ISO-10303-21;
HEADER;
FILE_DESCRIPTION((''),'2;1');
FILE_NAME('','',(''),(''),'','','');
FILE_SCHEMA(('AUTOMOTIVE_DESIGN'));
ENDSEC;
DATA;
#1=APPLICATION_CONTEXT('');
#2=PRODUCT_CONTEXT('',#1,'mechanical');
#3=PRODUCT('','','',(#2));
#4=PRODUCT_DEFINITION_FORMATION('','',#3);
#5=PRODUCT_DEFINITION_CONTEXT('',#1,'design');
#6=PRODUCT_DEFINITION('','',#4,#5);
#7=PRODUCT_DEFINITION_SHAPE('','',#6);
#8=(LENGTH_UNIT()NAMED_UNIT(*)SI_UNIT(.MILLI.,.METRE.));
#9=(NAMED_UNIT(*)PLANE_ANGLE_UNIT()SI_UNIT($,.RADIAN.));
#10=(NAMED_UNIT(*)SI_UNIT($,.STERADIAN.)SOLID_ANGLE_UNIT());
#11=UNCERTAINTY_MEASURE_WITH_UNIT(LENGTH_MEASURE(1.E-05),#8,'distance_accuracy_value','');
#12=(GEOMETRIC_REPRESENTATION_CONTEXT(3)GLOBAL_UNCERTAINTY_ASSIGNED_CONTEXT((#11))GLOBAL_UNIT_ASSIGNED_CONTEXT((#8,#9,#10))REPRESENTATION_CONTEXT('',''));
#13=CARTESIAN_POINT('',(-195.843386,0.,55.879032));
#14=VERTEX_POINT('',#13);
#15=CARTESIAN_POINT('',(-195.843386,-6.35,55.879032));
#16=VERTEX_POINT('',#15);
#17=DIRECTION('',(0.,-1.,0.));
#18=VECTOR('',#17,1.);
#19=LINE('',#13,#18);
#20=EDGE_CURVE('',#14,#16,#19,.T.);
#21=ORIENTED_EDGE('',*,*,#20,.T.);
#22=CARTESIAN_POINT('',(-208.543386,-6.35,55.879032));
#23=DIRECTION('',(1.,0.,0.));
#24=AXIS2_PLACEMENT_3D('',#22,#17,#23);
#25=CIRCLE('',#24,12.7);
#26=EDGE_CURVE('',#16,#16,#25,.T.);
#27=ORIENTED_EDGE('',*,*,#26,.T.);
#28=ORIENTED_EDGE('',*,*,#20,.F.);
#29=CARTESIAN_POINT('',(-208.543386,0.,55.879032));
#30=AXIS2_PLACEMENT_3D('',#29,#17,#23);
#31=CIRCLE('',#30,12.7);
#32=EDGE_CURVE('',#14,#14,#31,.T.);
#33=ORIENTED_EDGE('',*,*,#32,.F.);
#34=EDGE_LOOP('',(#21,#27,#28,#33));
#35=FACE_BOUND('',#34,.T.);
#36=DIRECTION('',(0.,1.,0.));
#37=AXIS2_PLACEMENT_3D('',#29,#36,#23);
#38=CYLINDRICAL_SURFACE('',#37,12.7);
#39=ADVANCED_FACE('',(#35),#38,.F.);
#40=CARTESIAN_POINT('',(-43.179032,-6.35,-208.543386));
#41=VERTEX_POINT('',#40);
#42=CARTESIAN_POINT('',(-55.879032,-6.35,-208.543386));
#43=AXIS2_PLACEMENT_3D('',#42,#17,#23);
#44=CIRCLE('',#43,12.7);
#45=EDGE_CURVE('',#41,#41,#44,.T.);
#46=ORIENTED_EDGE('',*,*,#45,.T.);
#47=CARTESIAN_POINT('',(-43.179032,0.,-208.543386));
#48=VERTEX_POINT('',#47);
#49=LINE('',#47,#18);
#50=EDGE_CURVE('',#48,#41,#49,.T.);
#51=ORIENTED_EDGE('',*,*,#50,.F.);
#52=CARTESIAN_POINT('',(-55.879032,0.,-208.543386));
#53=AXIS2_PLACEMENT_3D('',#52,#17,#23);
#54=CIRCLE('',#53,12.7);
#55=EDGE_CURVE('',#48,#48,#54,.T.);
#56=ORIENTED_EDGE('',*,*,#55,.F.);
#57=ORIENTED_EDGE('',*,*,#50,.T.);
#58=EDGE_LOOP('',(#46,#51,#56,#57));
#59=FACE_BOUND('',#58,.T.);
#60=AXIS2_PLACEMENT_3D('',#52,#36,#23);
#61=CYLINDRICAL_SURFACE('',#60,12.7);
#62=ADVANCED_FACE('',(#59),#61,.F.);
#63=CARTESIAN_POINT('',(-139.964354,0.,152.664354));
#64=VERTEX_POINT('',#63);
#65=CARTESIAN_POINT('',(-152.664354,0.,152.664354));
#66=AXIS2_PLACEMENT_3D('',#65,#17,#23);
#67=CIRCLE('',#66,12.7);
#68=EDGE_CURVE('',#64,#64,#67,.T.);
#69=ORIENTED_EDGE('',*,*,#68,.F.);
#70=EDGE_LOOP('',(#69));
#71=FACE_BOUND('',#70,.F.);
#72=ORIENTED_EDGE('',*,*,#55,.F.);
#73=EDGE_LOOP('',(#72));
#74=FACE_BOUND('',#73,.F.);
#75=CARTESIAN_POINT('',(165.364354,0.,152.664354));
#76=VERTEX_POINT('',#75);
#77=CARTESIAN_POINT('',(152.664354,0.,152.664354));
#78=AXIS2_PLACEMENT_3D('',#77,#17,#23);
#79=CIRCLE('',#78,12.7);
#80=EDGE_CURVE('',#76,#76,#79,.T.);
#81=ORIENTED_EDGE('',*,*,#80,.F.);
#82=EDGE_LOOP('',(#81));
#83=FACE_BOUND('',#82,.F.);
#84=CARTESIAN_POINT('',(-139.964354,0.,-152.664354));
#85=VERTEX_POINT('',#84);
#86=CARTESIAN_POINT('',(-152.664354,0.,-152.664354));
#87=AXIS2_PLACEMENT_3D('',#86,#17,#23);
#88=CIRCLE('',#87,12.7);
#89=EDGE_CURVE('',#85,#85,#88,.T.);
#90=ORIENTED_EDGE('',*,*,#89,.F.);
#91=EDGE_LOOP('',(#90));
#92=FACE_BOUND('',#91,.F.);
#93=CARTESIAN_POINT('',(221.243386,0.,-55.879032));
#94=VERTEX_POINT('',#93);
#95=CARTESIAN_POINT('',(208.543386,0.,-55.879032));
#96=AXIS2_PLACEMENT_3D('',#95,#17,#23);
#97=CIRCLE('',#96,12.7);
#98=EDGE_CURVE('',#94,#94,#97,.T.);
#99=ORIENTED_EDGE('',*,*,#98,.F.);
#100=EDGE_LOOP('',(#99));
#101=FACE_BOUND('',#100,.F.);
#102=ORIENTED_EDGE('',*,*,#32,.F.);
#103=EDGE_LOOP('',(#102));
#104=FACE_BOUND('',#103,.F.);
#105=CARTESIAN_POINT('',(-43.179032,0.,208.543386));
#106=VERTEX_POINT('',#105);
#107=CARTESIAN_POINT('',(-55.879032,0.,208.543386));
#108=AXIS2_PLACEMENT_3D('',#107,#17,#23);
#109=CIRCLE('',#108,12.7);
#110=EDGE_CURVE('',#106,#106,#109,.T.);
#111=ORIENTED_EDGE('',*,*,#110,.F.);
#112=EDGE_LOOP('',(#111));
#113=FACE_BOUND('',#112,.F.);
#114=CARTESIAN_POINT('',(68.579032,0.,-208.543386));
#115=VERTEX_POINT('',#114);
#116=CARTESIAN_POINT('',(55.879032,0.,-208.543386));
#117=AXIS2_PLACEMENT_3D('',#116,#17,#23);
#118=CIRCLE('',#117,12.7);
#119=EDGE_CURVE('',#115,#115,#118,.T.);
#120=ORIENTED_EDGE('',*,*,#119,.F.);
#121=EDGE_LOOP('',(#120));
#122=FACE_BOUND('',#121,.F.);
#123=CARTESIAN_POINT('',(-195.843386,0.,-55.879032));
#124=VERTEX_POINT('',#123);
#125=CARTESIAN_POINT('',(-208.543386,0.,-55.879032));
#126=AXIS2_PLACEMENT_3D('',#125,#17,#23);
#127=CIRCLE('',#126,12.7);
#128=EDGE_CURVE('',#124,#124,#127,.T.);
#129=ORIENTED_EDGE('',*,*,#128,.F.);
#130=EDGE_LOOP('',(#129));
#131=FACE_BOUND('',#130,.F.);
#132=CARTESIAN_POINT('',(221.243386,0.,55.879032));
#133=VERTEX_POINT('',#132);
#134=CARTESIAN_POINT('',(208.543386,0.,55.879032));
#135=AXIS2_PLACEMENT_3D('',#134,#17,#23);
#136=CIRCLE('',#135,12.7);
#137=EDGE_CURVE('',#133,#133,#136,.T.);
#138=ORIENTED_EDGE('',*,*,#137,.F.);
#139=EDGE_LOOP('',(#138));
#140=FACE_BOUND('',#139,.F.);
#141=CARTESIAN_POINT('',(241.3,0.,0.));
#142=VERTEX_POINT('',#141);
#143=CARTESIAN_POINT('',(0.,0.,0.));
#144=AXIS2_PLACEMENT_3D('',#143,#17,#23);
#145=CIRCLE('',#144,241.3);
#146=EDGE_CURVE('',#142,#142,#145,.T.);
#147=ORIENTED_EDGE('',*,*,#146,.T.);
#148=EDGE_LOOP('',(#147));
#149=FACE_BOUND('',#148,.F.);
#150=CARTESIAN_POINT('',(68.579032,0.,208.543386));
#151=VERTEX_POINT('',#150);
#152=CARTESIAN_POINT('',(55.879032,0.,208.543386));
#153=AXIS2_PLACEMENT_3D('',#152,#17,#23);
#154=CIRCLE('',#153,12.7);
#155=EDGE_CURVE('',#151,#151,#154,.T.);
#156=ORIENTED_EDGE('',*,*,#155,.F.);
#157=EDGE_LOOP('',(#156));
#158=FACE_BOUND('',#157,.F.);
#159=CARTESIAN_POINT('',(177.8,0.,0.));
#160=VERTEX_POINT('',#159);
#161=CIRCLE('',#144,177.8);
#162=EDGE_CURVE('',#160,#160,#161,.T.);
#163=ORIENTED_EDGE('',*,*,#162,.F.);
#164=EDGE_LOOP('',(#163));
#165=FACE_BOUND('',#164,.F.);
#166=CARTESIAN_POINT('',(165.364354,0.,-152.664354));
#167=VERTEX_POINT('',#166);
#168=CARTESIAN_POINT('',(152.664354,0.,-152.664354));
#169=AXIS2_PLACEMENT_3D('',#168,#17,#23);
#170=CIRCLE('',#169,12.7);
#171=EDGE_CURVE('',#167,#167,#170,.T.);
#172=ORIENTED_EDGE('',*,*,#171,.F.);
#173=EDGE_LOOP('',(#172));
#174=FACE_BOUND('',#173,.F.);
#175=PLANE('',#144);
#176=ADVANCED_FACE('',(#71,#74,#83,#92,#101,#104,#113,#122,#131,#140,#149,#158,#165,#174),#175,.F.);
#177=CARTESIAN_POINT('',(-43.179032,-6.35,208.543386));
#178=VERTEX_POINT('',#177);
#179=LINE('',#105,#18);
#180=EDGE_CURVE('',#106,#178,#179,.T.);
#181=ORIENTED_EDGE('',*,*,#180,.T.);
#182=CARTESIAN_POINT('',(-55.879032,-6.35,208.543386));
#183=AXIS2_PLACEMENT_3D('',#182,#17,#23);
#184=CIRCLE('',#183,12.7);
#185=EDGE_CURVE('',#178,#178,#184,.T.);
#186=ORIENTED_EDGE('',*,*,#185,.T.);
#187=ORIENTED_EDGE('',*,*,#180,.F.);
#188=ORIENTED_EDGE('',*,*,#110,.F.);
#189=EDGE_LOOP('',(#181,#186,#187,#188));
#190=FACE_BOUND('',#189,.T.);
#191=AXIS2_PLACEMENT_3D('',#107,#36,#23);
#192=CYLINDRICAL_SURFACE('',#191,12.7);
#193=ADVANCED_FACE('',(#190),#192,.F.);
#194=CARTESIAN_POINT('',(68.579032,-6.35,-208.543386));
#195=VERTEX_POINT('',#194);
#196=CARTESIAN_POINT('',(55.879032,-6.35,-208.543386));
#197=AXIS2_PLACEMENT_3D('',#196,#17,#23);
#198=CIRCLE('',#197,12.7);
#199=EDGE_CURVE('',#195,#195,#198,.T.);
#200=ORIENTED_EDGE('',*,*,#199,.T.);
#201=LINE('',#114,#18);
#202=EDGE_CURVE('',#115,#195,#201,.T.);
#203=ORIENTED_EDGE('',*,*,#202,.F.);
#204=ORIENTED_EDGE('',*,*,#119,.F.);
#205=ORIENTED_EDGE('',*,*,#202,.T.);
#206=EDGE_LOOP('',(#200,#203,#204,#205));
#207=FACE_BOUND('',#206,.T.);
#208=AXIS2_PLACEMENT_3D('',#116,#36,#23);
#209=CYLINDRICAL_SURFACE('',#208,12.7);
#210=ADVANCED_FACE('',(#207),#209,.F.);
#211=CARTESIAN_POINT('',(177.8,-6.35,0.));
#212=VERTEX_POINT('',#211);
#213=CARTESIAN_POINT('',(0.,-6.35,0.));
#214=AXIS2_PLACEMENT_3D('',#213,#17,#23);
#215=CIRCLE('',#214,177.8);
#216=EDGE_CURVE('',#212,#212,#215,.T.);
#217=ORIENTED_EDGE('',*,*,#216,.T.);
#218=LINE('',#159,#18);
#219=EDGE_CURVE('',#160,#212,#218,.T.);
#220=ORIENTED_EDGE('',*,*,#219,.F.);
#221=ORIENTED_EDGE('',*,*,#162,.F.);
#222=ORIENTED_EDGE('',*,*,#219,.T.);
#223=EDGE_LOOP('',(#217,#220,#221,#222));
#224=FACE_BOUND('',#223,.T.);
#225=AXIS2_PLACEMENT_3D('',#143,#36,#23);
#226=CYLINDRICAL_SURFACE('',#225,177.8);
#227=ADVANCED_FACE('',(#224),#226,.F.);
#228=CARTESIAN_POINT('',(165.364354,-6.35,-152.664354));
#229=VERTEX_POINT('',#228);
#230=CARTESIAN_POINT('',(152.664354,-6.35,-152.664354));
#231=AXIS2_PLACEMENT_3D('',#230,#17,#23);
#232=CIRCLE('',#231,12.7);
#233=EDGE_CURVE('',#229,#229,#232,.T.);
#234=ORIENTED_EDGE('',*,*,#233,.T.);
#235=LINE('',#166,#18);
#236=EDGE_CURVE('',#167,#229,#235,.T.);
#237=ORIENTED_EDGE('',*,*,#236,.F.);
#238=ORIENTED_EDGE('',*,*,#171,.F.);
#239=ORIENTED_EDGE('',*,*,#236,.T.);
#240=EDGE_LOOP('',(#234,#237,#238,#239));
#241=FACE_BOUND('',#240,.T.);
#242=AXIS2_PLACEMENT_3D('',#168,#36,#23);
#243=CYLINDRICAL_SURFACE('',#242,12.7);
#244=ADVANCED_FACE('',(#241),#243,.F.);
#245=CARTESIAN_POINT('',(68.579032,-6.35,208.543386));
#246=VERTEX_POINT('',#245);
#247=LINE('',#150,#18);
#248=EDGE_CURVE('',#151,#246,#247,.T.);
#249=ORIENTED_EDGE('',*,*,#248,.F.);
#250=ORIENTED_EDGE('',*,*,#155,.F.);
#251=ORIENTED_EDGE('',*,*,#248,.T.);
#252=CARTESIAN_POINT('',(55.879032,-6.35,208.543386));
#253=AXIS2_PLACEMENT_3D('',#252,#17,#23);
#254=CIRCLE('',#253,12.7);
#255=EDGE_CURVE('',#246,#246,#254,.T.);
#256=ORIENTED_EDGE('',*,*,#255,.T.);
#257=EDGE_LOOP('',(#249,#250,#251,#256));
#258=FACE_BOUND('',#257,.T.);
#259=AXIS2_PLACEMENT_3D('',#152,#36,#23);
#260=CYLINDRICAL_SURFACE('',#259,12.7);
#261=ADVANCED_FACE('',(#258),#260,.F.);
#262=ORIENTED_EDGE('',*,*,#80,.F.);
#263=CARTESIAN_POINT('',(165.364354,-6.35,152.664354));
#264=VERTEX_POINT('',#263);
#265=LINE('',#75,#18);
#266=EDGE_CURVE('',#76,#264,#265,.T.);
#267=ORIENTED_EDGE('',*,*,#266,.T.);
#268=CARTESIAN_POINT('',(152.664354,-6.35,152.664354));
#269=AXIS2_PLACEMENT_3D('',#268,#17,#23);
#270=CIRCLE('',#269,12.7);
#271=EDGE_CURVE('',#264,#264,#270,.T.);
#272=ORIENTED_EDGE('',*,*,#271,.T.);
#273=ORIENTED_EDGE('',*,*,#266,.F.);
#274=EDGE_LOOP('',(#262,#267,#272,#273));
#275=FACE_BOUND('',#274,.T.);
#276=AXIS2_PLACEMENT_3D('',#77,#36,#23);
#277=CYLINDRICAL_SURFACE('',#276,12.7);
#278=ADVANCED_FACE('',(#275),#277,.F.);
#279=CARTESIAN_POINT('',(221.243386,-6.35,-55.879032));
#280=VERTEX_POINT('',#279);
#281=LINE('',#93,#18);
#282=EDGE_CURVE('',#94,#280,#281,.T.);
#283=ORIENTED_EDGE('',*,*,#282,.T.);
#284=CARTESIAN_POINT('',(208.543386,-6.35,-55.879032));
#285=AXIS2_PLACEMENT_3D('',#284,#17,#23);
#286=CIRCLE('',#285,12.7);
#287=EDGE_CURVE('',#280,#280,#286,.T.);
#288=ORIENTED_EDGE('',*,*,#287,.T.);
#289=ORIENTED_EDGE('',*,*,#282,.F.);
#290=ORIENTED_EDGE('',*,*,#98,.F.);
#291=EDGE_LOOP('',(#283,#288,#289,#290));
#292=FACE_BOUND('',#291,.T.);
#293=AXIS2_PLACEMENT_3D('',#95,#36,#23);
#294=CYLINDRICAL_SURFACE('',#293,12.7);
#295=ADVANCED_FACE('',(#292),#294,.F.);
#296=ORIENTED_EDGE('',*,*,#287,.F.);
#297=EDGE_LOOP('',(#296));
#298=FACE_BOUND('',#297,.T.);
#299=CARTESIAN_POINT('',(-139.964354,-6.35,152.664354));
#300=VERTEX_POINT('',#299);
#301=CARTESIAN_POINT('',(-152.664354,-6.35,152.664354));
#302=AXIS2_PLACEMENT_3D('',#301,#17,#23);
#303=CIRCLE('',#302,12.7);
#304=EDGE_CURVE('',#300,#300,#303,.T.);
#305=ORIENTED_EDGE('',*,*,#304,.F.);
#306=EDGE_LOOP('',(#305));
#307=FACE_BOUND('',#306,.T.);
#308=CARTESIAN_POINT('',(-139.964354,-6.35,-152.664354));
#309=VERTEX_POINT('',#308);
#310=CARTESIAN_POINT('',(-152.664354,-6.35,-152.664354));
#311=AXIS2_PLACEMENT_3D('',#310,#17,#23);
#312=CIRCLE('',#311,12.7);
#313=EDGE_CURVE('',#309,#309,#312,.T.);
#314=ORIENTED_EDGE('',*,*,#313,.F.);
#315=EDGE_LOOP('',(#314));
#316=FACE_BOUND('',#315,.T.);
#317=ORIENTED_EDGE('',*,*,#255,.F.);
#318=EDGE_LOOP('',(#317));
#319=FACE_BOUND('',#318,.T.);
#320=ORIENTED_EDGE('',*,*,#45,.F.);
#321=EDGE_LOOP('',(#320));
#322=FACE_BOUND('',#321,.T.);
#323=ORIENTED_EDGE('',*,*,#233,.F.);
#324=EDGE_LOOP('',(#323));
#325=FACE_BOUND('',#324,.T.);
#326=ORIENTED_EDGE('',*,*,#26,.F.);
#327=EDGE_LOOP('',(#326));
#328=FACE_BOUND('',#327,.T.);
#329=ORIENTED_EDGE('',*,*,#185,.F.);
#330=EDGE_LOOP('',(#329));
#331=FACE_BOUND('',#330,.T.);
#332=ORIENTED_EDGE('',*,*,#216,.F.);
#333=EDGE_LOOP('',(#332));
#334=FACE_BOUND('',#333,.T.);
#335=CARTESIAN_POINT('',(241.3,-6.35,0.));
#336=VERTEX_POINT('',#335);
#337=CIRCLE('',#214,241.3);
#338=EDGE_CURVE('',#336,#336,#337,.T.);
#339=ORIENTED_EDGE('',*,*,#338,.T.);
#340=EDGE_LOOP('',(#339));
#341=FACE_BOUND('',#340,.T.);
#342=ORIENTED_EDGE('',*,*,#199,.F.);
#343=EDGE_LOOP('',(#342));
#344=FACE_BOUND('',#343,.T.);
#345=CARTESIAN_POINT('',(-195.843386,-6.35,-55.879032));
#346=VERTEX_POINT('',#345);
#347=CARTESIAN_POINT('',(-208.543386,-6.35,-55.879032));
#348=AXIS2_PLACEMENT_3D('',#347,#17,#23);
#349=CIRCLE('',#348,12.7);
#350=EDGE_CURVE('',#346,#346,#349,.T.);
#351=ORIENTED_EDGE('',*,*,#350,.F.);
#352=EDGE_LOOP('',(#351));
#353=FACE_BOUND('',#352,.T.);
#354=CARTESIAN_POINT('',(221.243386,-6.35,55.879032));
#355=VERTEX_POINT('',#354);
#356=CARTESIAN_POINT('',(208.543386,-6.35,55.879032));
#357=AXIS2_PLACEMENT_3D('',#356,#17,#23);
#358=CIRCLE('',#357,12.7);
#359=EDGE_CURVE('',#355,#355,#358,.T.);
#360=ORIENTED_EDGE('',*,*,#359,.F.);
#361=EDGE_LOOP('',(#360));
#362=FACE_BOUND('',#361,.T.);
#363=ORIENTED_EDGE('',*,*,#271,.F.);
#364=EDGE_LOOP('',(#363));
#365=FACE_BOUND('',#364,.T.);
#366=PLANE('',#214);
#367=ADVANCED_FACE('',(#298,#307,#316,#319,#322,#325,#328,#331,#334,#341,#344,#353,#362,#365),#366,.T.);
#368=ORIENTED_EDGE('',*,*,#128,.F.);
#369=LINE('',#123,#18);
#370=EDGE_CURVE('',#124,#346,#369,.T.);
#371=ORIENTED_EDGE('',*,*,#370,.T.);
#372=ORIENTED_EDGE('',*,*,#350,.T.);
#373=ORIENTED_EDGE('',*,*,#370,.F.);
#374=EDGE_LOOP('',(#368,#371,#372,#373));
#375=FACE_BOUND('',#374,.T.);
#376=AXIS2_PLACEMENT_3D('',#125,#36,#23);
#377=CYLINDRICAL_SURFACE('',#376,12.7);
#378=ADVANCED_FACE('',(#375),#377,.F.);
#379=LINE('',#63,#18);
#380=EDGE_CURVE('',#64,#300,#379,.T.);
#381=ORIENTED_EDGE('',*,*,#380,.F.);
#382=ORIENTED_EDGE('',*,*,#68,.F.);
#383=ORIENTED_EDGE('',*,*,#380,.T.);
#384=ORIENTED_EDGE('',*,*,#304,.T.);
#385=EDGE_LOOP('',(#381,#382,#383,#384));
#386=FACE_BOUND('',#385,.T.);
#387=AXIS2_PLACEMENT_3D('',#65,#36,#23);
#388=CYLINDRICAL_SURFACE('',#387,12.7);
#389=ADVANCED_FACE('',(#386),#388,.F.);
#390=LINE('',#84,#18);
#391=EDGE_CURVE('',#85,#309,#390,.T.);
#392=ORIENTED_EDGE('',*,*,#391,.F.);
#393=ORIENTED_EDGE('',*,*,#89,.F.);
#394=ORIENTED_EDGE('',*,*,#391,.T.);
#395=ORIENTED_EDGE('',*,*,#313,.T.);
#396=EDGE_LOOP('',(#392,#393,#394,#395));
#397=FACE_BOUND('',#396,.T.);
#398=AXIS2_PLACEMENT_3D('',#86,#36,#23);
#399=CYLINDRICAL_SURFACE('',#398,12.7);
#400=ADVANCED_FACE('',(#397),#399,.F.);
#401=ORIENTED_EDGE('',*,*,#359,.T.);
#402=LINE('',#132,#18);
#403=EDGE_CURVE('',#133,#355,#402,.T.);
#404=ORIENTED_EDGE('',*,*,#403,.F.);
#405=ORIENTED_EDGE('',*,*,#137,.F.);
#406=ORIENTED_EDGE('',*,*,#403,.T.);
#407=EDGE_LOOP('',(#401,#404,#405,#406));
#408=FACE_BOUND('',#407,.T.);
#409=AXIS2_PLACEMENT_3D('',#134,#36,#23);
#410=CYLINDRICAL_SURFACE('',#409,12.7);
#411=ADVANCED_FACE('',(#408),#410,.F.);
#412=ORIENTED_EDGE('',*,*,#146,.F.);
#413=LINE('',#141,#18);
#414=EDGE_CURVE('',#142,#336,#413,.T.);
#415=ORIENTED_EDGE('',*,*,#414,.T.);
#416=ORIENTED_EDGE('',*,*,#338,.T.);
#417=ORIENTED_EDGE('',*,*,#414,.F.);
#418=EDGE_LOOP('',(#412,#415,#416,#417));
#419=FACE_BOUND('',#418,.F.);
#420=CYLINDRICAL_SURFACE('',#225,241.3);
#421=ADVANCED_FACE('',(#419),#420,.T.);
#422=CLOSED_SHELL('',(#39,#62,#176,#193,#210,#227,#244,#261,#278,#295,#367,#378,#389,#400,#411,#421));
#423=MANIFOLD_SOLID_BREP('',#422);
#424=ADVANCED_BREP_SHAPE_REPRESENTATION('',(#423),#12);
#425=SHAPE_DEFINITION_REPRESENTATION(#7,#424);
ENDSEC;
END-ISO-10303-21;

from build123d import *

# Parameters (mm, degrees)
F0_R     = 241.3
F0_R_2   = 12.7
F0_R_3   = 177.8
F1_DEPTH = 6.35


with BuildPart() as f1:
    # F0 (on Front) → F1 (new body)
    with BuildSketch(Plane.XZ):
        Circle(F0_R)
        with Locations((-152.6643540582, -152.6643540582)):
            Circle(F0_R_2, mode=Mode.SUBTRACT)
        with Locations((-55.8790318376, -208.5433858958)):
            Circle(F0_R_2, mode=Mode.SUBTRACT)
        with Locations((-208.5433858958, -55.8790318376)):
            Circle(F0_R_2, mode=Mode.SUBTRACT)
        with Locations((55.8790318376, -208.5433858958)):
            Circle(F0_R_2, mode=Mode.SUBTRACT)
        with Locations((152.6643540582, -152.6643540582)):
            Circle(F0_R_2, mode=Mode.SUBTRACT)
        with Locations((208.5433858958, -55.8790318376)):
            Circle(F0_R_2, mode=Mode.SUBTRACT)
        with Locations((-208.5433858958, 55.8790318376)):
            Circle(F0_R_2, mode=Mode.SUBTRACT)
        with Locations((-152.6643540582, 152.6643540582)):
            Circle(F0_R_2, mode=Mode.SUBTRACT)
        with Locations((-55.8790318376, 208.5433858958)):
            Circle(F0_R_2, mode=Mode.SUBTRACT)
        Circle(F0_R_3, mode=Mode.SUBTRACT)
        with Locations((208.5433858958, 55.8790318376)):
            Circle(F0_R_2, mode=Mode.SUBTRACT)
        with Locations((55.8790318376, 208.5433858958)):
            Circle(F0_R_2, mode=Mode.SUBTRACT)
        with Locations((152.6643540582, 152.6643540582)):
            Circle(F0_R_2, mode=Mode.SUBTRACT)
    extrude(amount=F1_DEPTH)


solid = f1.part
